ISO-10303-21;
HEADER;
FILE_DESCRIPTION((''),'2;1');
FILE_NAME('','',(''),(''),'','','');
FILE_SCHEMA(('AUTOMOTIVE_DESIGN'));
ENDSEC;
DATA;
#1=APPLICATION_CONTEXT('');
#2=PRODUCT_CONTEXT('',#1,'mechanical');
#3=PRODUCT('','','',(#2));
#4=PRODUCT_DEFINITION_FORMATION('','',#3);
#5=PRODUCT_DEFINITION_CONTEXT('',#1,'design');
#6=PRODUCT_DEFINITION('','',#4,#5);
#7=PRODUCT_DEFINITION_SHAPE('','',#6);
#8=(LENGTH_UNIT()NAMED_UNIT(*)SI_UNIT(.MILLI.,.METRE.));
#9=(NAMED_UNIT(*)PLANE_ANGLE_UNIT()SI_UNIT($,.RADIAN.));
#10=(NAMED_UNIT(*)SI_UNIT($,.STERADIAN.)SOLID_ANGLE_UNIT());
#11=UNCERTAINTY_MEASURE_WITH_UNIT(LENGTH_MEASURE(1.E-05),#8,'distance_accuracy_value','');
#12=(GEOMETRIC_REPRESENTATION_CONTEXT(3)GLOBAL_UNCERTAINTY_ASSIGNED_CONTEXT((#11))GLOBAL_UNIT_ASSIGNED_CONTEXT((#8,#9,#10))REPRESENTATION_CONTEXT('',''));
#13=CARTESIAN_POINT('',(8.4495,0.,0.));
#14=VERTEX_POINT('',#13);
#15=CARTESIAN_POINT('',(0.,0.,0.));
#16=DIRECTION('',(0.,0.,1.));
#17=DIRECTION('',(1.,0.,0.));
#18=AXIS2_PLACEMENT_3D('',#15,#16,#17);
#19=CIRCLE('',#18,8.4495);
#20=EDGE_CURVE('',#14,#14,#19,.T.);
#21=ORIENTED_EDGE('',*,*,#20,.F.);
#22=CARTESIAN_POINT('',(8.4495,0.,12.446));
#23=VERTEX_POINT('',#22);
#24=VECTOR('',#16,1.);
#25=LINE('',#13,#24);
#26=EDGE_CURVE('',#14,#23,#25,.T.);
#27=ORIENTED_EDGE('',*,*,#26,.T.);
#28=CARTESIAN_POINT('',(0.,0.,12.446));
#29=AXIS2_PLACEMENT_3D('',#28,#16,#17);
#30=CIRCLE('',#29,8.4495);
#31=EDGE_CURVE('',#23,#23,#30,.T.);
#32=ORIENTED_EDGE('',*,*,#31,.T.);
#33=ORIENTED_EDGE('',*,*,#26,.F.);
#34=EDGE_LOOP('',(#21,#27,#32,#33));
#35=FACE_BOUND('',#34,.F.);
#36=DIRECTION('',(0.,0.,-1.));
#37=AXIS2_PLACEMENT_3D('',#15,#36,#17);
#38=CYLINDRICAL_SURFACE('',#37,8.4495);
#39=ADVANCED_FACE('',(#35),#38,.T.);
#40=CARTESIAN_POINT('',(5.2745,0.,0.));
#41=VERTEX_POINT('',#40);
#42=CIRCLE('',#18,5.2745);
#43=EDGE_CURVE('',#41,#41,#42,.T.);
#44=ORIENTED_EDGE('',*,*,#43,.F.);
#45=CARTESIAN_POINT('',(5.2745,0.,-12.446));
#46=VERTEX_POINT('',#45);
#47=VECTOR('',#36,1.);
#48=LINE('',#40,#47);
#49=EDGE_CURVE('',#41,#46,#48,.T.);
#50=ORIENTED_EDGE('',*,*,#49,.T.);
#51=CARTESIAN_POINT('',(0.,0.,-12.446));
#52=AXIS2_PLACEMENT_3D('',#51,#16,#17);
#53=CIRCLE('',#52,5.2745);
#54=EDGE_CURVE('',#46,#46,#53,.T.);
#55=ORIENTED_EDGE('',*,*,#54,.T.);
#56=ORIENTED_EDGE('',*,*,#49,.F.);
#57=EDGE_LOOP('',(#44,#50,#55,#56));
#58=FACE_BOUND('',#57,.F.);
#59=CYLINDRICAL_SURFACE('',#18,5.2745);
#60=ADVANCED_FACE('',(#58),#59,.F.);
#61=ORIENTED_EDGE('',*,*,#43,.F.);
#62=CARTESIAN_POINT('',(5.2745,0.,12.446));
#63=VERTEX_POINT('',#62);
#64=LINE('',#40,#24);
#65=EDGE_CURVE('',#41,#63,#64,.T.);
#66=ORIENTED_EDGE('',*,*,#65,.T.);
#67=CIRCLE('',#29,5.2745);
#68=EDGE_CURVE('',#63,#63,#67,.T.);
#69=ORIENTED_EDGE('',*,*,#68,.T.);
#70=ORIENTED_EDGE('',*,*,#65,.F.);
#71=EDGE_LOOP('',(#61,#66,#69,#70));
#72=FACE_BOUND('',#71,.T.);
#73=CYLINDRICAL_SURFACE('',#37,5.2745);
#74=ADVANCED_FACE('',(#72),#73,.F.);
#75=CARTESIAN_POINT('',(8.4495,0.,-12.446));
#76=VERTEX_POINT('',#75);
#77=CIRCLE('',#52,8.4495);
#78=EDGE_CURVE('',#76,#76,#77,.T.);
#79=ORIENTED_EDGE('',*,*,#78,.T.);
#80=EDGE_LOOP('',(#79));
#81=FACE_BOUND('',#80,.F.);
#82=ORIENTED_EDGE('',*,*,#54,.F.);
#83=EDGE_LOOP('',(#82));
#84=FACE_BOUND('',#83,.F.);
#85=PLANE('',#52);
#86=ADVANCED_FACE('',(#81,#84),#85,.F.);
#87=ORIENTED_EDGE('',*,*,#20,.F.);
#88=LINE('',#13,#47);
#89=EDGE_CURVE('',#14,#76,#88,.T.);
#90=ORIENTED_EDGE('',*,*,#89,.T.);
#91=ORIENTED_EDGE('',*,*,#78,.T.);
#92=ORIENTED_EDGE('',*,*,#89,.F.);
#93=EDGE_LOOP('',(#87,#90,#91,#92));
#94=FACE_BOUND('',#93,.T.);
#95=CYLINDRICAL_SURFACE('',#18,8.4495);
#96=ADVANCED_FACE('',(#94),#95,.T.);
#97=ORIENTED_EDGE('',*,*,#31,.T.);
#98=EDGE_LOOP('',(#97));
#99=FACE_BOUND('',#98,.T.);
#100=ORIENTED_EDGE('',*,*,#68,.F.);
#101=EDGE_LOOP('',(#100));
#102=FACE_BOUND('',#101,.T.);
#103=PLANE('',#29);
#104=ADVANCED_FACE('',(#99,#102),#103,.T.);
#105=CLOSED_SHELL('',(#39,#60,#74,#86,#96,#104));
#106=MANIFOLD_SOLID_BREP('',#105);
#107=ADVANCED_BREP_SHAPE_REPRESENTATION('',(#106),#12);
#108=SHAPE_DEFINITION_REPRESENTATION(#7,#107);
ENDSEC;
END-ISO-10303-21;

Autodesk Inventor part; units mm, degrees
ref_plane "YZ Plane" through (0, 0, 0) normal (1, 0, 0) x (0, 1, 0)
ref_plane "XZ Plane" through (0, 0, 0) normal (0, 1, 0) x (-1, 0, 0)
ref_plane "XY Plane" through (0, 0, 0) normal (0, 0, 1) x (1, 0, 0)
sketch "Sketch1" plane through (0, 0, 0) normal (0, 0, 1) x (1, 0, 0)
  circle A0 centre (0, 0) radius 5.2745
  circle A1 centre (0, 0) radius 8.4495
  dimension "Hex" = 10.5489
  dimension "Thickness" = 3.175
extrude "Extrusion1" add sketch "Sketch1" along normal mid plane 24.892
equation "\"Hex\" = Thunder + Tolerance_H"
equation "\"Length_F\" = Length - Tolerance_L"
equation "\"Tolerance_H\" = 0.3"
equation "\"Size\" = 9.525"
equation "\"Length\" = 25.4"
equation "\"Tolerance_L\" = 0.508"
equation "\"Final_Metric\" = Hex"
equation "\"Thunder\" = 10.2489"
properties part number "Spacer" material "ABS Plastic"
